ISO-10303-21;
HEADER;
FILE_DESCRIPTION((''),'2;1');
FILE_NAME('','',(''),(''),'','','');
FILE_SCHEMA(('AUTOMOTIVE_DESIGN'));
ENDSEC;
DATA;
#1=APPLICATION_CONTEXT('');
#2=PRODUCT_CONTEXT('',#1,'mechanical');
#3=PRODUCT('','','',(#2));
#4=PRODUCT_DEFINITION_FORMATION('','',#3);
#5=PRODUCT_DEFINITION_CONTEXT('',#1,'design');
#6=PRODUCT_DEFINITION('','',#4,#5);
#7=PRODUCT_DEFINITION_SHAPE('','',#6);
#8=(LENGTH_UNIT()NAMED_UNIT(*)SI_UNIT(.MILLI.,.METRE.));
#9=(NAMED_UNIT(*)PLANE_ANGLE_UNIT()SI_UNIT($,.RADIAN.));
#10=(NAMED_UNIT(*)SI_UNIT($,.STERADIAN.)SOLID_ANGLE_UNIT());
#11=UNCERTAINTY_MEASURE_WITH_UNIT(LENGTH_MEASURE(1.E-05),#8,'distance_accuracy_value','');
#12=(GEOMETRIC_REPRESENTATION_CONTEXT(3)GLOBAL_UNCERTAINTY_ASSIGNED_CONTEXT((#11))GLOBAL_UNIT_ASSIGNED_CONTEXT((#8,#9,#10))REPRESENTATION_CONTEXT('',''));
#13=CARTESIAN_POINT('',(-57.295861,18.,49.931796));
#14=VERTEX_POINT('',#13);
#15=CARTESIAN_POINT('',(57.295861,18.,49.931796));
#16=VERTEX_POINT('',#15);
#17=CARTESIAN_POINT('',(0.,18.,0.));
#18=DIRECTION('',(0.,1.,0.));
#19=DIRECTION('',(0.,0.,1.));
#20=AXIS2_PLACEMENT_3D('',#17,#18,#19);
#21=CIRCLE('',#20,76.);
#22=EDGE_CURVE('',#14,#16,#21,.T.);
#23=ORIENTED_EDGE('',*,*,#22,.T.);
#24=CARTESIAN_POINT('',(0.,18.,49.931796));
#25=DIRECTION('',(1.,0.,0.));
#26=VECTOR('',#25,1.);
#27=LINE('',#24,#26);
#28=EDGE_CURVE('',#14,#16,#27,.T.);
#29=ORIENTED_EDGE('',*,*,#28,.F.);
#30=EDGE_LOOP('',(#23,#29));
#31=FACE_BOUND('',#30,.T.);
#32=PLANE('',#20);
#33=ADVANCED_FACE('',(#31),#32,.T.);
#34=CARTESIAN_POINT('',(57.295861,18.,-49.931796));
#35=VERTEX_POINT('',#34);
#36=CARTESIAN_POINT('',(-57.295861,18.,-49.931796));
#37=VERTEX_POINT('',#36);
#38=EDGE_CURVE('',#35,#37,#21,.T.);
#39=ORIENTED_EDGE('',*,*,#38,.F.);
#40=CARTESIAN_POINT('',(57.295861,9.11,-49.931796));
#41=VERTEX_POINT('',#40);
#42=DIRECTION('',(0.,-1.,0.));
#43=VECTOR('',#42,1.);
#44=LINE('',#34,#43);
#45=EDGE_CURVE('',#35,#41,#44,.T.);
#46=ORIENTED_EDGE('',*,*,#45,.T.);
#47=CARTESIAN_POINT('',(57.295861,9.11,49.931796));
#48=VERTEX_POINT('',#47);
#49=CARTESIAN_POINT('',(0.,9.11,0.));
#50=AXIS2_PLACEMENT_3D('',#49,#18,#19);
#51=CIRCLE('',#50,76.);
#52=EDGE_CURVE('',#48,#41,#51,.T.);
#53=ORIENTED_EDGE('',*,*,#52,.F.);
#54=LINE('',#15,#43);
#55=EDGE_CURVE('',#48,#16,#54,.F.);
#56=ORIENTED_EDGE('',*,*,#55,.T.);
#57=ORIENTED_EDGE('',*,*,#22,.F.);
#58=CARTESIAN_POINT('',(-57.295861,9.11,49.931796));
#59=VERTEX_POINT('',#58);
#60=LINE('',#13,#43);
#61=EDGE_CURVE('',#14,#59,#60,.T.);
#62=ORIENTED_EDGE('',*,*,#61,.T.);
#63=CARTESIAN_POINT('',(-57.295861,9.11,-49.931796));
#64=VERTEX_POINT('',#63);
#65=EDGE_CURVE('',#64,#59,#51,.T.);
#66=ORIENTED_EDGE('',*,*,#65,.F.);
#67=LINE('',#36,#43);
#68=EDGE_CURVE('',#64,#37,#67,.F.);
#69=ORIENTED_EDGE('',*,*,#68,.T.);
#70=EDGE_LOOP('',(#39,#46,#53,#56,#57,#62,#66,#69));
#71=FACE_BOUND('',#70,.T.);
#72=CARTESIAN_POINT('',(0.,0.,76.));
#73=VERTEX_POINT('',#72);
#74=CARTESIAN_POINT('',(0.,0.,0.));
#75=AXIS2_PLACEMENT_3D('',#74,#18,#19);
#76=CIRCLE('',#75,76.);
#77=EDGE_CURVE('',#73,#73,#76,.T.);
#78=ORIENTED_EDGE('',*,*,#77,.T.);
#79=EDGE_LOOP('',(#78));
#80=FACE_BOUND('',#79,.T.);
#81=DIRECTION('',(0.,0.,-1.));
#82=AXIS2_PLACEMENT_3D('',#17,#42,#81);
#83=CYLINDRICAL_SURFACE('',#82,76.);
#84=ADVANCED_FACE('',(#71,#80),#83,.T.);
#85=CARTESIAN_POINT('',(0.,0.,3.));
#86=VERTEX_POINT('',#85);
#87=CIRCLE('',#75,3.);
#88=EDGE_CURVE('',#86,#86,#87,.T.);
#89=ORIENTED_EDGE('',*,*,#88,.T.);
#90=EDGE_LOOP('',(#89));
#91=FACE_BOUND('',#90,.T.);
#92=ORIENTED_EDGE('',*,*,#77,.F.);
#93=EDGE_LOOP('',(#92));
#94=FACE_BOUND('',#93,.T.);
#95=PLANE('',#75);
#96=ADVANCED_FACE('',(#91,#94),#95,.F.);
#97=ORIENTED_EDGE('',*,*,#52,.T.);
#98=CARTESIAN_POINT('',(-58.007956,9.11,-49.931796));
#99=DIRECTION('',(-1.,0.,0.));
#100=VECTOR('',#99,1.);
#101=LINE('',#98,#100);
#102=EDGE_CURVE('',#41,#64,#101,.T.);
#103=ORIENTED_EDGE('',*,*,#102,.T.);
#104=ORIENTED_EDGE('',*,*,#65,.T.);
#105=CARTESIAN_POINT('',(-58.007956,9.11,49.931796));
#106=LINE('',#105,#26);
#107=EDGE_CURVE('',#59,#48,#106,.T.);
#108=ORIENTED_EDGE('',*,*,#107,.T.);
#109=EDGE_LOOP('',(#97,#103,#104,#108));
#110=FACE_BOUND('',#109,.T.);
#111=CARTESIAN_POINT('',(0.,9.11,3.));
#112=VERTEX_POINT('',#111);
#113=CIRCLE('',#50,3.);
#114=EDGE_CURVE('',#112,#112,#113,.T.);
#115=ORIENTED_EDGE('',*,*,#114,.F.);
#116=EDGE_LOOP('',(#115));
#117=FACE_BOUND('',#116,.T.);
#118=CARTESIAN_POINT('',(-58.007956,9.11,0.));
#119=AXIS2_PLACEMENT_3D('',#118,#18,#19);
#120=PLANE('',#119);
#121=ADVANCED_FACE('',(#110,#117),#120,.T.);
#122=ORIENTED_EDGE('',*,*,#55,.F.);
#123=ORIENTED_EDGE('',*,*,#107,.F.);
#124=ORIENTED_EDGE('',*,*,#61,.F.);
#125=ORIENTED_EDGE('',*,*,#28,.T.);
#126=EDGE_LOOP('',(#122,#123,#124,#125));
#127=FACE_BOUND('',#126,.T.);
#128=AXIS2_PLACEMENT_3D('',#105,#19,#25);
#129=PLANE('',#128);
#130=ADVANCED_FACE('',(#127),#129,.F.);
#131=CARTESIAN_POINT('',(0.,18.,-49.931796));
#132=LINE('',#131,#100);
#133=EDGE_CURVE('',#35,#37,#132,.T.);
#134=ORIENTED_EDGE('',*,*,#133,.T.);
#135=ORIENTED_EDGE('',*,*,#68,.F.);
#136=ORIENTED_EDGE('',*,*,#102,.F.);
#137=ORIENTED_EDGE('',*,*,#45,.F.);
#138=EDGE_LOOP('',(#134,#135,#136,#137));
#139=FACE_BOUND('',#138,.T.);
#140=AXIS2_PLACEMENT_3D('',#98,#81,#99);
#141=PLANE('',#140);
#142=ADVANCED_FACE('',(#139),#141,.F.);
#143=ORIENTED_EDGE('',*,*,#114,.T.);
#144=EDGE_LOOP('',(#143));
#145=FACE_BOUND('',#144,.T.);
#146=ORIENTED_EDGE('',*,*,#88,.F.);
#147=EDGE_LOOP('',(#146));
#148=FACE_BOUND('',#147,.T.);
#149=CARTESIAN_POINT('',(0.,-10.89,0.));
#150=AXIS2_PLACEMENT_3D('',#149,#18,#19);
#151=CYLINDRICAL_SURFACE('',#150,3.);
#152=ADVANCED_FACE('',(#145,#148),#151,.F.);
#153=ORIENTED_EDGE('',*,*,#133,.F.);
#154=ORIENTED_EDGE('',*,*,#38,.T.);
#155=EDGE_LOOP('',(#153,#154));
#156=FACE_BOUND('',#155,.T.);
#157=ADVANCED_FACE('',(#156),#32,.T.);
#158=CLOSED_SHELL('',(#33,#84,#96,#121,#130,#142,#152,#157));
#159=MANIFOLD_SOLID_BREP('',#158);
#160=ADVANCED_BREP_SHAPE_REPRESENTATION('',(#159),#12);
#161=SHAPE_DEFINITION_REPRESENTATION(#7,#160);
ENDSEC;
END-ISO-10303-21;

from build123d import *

# Parameters (mm, degrees)
SKETCH1_R           = 76
BOSS_EXTRUDE1_DEPTH = 18
CUT_EXTRUDE4_DEPTH  = 8.89
SKETCH5_R           = 3
CUT_EXTRUDE5_DEPTH  = 20


with BuildPart() as part:
    # Sketch1 → Boss-Extrude1 (new body)
    with BuildSketch(Plane(origin=(0, 0, 0), x_dir=(1, 0, 0), z_dir=(0, 1, 0))):
        Circle(SKETCH1_R)
    extrude(amount=BOSS_EXTRUDE1_DEPTH)

    # Sketch2 → Cut-Extrude4 (cut)
    with BuildSketch(Plane(origin=(0, 18, 0), x_dir=(1, 0, 0), z_dir=(0, 1, 0))):
        with BuildLine():
            Line((-58.007955522, 49.931796385), (58.007955522, 49.931796385))
            ThreePointArc((58.007955522, 49.931796385), (107.939751907, 0), (58.007955522, -49.931796385))
            Line((58.007955522, -49.931796385), (-58.007955522, -49.931796385))
            ThreePointArc((-58.007955522, -49.931796385), (-107.939751907, 0), (-58.007955522, 49.931796385))
        make_face()
    extrude(amount=-CUT_EXTRUDE4_DEPTH, mode=Mode.SUBTRACT)

    # Sketch5 → Cut-Extrude5 (cut)
    with BuildSketch(Plane(origin=(0, 9.11, 0), x_dir=(1, 0, 0), z_dir=(0, 1, 0))):
        Circle(SKETCH5_R)
    extrude(amount=-CUT_EXTRUDE5_DEPTH, mode=Mode.SUBTRACT)


solid = part.part
